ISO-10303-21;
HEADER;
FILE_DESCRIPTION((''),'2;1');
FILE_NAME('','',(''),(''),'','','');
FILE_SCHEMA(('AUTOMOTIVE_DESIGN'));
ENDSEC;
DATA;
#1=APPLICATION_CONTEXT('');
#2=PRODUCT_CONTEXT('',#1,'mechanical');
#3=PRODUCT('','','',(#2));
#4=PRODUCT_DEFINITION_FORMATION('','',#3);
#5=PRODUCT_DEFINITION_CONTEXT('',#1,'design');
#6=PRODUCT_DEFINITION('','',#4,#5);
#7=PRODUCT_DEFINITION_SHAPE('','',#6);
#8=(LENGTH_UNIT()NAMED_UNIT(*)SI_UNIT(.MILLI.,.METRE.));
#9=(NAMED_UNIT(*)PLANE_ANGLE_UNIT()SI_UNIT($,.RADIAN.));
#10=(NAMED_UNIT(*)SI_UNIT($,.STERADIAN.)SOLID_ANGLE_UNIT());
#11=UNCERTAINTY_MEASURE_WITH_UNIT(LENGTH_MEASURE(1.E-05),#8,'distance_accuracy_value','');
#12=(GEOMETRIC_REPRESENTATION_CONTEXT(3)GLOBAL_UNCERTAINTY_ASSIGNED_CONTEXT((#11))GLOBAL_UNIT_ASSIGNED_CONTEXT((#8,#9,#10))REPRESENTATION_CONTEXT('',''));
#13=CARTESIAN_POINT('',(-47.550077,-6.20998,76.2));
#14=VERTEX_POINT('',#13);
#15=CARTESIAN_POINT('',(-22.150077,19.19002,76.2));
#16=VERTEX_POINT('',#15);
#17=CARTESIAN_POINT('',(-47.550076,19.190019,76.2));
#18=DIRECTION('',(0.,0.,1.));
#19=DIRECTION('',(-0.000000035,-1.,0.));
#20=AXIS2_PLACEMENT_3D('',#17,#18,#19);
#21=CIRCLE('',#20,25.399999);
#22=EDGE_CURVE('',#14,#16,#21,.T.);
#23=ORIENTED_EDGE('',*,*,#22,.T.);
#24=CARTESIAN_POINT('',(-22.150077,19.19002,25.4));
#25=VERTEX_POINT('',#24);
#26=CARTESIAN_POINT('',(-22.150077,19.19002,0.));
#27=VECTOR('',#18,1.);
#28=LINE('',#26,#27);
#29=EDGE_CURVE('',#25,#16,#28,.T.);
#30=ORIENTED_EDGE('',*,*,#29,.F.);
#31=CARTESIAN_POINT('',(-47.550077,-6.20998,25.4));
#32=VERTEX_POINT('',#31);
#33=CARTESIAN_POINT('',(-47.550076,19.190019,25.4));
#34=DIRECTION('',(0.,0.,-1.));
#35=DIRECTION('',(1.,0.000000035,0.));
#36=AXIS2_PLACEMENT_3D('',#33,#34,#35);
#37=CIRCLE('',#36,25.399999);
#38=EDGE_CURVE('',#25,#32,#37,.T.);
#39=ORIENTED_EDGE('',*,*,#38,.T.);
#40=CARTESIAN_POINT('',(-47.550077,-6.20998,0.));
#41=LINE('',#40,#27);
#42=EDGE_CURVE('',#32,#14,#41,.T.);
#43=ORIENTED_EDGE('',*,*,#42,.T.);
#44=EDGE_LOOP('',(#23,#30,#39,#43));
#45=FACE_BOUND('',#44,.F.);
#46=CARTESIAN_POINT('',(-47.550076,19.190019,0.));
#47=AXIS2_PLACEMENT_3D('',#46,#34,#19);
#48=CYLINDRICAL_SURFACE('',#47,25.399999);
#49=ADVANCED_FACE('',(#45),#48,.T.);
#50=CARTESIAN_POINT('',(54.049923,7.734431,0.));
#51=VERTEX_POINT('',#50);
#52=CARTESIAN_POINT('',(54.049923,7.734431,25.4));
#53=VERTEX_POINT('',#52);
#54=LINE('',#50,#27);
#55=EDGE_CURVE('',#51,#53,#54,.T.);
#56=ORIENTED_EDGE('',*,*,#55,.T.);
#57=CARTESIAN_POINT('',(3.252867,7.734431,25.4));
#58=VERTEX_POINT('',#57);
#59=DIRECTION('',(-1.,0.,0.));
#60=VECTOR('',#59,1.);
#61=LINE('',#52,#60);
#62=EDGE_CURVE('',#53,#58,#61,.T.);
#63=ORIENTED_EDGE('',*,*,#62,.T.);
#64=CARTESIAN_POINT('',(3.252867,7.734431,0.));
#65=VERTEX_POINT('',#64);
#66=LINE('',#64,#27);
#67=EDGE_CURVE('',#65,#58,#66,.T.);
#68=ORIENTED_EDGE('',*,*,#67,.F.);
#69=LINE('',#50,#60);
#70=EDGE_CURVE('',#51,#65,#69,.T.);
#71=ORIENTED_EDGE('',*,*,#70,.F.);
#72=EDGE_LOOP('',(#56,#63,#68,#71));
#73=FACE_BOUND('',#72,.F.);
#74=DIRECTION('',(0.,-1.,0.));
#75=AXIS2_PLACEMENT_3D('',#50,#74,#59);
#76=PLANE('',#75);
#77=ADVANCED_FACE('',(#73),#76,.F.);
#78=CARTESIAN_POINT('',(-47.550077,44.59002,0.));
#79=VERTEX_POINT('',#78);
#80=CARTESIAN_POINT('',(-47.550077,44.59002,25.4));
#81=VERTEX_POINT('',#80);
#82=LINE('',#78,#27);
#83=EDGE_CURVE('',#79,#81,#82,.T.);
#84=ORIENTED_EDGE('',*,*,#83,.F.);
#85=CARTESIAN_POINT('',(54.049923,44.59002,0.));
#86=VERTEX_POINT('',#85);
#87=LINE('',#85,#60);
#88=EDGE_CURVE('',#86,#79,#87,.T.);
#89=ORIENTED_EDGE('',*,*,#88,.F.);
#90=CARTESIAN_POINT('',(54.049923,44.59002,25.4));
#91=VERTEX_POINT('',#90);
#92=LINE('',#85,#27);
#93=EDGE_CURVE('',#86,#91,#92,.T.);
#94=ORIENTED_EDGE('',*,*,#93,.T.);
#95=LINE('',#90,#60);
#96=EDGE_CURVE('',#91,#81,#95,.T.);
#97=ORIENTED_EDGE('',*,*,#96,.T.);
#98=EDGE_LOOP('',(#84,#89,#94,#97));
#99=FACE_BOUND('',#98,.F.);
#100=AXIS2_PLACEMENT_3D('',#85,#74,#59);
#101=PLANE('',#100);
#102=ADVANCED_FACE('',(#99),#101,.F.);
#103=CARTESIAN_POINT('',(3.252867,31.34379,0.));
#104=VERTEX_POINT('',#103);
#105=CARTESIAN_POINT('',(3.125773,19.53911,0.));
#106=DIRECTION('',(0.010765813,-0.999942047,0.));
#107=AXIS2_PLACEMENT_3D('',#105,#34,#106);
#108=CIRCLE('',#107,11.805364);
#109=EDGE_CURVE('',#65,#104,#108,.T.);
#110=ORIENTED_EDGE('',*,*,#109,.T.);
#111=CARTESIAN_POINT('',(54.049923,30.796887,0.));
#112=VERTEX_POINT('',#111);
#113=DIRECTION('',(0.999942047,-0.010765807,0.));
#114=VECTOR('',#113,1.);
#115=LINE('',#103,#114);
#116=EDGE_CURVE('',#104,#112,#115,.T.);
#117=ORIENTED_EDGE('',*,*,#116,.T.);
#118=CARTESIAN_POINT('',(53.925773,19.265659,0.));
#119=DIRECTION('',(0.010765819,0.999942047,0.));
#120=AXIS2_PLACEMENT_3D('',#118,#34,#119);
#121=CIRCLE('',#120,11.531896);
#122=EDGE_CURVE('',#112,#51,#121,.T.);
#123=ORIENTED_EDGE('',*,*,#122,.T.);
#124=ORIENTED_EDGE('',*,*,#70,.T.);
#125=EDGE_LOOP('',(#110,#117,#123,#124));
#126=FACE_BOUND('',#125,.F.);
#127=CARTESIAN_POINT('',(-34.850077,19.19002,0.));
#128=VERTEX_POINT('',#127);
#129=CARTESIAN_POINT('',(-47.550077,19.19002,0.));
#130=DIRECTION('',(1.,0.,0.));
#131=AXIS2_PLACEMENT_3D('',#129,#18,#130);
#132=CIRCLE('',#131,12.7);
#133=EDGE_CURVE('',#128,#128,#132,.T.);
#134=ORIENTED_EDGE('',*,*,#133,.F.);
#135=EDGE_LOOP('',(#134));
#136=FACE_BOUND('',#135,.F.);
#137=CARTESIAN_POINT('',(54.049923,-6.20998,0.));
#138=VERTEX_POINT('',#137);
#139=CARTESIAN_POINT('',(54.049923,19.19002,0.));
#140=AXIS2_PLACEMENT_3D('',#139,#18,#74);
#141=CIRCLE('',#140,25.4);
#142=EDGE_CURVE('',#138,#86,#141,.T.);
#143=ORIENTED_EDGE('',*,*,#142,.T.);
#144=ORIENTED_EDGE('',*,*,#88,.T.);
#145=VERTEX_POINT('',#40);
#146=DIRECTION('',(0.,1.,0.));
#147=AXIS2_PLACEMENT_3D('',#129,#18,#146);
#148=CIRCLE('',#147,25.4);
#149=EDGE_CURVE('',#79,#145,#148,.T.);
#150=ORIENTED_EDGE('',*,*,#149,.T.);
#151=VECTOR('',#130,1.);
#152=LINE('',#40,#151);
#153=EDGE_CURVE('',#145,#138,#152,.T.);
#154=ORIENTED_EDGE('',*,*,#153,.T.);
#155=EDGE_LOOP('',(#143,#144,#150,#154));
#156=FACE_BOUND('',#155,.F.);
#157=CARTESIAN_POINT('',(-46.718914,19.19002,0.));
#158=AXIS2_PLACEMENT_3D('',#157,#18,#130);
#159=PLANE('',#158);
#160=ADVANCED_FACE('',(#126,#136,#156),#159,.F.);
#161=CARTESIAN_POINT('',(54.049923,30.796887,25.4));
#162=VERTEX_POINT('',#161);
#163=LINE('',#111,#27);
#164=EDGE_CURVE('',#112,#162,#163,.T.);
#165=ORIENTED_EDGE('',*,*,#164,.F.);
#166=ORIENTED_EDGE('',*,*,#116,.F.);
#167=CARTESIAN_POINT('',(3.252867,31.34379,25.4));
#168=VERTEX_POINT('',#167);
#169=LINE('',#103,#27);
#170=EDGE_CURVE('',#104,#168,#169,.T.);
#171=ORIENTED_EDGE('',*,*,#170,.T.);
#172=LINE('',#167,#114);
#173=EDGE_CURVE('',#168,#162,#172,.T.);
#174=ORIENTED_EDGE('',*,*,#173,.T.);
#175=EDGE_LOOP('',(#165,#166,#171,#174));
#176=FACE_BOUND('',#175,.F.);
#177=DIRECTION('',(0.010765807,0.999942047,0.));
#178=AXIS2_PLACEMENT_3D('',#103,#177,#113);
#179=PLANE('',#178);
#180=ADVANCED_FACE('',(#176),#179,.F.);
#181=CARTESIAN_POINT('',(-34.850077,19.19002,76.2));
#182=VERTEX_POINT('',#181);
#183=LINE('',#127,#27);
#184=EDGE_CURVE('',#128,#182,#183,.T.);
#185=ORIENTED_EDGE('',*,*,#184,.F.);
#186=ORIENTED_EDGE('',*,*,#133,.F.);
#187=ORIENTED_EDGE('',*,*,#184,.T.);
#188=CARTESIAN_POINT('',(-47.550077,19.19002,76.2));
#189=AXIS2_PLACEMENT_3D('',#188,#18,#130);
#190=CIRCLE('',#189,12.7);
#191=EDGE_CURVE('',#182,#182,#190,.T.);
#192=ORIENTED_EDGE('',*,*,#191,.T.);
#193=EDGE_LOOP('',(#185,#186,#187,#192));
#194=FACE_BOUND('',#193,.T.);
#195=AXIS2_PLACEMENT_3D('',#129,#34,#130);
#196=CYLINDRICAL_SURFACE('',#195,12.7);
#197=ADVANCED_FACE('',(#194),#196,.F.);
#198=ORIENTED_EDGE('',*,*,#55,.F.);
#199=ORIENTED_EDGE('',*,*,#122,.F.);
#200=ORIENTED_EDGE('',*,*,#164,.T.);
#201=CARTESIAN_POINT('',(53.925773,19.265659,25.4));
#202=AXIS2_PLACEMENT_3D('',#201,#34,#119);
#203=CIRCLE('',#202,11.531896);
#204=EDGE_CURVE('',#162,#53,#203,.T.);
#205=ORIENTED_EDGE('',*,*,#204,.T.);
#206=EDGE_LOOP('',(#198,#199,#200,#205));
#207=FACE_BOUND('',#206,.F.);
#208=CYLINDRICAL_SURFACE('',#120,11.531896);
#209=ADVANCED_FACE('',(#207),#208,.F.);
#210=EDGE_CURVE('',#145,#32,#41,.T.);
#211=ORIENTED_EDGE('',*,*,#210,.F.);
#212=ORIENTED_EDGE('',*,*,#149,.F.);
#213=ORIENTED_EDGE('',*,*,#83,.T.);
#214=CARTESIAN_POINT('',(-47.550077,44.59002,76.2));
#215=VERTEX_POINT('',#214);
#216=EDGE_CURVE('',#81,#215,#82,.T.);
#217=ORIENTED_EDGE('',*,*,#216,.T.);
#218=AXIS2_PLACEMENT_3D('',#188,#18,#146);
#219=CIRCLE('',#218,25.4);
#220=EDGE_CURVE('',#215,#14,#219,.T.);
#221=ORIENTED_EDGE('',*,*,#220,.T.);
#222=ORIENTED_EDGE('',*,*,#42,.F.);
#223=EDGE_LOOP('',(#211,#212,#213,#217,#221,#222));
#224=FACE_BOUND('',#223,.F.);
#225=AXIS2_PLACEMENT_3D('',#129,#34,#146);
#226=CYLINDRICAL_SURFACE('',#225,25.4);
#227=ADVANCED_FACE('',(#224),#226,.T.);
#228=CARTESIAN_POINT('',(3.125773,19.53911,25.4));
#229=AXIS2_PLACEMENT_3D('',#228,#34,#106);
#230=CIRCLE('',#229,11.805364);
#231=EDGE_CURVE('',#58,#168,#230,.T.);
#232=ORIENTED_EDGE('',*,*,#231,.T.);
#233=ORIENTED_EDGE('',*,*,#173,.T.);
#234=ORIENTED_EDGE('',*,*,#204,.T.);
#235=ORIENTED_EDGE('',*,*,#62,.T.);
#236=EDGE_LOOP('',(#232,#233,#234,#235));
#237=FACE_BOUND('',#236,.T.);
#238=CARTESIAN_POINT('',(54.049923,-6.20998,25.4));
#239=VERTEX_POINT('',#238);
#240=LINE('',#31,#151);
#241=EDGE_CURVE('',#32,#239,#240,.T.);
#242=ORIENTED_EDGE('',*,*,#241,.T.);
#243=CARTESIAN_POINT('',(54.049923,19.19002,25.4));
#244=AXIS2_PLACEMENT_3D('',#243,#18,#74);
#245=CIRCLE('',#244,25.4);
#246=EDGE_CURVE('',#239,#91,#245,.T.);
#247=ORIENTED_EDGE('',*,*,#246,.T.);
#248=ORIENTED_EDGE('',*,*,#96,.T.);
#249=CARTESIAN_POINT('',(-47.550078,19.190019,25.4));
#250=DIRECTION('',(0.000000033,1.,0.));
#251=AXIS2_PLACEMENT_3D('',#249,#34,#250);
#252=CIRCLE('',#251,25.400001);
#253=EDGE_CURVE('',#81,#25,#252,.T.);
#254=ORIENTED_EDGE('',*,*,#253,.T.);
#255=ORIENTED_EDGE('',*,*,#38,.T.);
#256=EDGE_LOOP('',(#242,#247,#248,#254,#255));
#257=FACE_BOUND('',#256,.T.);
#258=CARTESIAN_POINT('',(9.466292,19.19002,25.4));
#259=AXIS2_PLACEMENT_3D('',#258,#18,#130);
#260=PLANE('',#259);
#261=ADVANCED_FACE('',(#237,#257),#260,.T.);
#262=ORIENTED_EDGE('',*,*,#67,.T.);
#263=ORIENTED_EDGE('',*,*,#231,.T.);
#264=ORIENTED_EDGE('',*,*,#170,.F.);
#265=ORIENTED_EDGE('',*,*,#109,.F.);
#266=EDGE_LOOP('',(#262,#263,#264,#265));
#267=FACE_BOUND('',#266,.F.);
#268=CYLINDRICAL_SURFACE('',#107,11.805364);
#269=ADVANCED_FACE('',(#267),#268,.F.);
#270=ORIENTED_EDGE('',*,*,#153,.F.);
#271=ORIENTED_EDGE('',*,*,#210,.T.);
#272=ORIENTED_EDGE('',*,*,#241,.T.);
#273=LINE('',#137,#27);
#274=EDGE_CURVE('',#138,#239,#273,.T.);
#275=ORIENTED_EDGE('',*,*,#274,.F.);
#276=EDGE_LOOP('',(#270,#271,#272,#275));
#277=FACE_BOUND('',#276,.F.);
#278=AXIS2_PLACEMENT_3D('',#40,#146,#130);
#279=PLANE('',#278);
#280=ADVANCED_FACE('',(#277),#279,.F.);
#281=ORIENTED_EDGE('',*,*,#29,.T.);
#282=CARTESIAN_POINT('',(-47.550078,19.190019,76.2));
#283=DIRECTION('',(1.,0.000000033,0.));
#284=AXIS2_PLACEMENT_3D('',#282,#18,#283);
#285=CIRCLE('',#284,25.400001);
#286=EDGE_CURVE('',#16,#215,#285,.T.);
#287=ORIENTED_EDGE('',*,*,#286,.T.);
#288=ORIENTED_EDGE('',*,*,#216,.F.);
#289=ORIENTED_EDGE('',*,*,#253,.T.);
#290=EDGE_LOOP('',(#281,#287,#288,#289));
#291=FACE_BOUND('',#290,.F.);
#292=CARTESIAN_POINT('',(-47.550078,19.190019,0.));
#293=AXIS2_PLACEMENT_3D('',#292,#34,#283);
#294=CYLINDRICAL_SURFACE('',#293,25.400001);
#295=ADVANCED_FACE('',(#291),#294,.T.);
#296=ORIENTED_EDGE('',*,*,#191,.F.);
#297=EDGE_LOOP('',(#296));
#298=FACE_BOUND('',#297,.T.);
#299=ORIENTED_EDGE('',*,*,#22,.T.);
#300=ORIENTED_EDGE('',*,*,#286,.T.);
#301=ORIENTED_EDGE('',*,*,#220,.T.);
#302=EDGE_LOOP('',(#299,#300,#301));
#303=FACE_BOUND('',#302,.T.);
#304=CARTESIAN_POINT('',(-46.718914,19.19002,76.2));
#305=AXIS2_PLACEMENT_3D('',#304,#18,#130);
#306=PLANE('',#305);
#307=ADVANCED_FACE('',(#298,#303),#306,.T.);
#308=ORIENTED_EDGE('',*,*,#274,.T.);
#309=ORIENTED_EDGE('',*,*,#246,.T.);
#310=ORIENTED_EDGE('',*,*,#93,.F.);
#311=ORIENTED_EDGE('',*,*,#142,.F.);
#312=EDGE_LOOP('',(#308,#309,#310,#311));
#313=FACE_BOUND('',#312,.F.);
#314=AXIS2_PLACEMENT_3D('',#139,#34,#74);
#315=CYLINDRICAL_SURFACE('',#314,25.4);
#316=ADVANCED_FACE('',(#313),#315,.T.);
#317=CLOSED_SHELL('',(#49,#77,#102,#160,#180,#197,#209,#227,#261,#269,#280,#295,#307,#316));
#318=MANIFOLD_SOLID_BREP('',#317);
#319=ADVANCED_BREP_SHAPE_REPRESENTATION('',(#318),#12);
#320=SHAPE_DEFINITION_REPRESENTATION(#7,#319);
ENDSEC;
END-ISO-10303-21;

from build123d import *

# Parameters (mm, degrees)
F1_DEPTH = 25.4
F0_R     = 12.7
F2_DEPTH = 76.2


with BuildPart() as f1:
    # F0 (on Top) → F1 (new body)
    with BuildSketch(Plane.XY):
        with BuildLine():
            Line((54.049923, 44.59002), (-47.550077, 44.59002))
            ThreePointArc((-47.550077, 44.59002), (-29.589565, 37.150532), (-22.150077, 19.19002))
            ThreePointArc((-22.150077, 19.19002), (-29.589565, 1.229507), (-47.550077, -6.20998))
            Line((-47.550077, -6.20998), (54.049923, -6.20998))
            ThreePointArc((54.049923, -6.20998), (79.449923, 19.19002), (54.049923, 44.59002))
        make_face()
        with BuildLine():
            Line((3.252867, 31.34379), (54.049923, 30.796887))
            ThreePointArc((54.049923, 30.796887), (65.457669, 19.265659), (54.049923, 7.734431))
            Line((54.049923, 7.734431), (3.252867, 7.734431))
            ThreePointArc((3.252867, 7.734431), (-8.679591, 19.53911), (3.252867, 31.34379))
        make_face(mode=Mode.SUBTRACT)
    extrude(amount=F1_DEPTH)

    # F0 (on Top) → F2 (join)
    with BuildSketch(Plane.XY):
        with BuildLine():
            ThreePointArc((-22.150077, 19.19002), (-29.589565, 37.150532), (-47.550077, 44.59002))
            ThreePointArc((-47.550077, 44.59002), (-72.950077, 19.19002), (-47.550077, -6.20998))
            ThreePointArc((-47.550077, -6.20998), (-29.589565, 1.229507), (-22.150077, 19.19002))
        make_face()
        with Locations((-47.550077, 19.19002)):
            Circle(F0_R, mode=Mode.SUBTRACT)
    extrude(amount=F2_DEPTH)


solid = f1.part
